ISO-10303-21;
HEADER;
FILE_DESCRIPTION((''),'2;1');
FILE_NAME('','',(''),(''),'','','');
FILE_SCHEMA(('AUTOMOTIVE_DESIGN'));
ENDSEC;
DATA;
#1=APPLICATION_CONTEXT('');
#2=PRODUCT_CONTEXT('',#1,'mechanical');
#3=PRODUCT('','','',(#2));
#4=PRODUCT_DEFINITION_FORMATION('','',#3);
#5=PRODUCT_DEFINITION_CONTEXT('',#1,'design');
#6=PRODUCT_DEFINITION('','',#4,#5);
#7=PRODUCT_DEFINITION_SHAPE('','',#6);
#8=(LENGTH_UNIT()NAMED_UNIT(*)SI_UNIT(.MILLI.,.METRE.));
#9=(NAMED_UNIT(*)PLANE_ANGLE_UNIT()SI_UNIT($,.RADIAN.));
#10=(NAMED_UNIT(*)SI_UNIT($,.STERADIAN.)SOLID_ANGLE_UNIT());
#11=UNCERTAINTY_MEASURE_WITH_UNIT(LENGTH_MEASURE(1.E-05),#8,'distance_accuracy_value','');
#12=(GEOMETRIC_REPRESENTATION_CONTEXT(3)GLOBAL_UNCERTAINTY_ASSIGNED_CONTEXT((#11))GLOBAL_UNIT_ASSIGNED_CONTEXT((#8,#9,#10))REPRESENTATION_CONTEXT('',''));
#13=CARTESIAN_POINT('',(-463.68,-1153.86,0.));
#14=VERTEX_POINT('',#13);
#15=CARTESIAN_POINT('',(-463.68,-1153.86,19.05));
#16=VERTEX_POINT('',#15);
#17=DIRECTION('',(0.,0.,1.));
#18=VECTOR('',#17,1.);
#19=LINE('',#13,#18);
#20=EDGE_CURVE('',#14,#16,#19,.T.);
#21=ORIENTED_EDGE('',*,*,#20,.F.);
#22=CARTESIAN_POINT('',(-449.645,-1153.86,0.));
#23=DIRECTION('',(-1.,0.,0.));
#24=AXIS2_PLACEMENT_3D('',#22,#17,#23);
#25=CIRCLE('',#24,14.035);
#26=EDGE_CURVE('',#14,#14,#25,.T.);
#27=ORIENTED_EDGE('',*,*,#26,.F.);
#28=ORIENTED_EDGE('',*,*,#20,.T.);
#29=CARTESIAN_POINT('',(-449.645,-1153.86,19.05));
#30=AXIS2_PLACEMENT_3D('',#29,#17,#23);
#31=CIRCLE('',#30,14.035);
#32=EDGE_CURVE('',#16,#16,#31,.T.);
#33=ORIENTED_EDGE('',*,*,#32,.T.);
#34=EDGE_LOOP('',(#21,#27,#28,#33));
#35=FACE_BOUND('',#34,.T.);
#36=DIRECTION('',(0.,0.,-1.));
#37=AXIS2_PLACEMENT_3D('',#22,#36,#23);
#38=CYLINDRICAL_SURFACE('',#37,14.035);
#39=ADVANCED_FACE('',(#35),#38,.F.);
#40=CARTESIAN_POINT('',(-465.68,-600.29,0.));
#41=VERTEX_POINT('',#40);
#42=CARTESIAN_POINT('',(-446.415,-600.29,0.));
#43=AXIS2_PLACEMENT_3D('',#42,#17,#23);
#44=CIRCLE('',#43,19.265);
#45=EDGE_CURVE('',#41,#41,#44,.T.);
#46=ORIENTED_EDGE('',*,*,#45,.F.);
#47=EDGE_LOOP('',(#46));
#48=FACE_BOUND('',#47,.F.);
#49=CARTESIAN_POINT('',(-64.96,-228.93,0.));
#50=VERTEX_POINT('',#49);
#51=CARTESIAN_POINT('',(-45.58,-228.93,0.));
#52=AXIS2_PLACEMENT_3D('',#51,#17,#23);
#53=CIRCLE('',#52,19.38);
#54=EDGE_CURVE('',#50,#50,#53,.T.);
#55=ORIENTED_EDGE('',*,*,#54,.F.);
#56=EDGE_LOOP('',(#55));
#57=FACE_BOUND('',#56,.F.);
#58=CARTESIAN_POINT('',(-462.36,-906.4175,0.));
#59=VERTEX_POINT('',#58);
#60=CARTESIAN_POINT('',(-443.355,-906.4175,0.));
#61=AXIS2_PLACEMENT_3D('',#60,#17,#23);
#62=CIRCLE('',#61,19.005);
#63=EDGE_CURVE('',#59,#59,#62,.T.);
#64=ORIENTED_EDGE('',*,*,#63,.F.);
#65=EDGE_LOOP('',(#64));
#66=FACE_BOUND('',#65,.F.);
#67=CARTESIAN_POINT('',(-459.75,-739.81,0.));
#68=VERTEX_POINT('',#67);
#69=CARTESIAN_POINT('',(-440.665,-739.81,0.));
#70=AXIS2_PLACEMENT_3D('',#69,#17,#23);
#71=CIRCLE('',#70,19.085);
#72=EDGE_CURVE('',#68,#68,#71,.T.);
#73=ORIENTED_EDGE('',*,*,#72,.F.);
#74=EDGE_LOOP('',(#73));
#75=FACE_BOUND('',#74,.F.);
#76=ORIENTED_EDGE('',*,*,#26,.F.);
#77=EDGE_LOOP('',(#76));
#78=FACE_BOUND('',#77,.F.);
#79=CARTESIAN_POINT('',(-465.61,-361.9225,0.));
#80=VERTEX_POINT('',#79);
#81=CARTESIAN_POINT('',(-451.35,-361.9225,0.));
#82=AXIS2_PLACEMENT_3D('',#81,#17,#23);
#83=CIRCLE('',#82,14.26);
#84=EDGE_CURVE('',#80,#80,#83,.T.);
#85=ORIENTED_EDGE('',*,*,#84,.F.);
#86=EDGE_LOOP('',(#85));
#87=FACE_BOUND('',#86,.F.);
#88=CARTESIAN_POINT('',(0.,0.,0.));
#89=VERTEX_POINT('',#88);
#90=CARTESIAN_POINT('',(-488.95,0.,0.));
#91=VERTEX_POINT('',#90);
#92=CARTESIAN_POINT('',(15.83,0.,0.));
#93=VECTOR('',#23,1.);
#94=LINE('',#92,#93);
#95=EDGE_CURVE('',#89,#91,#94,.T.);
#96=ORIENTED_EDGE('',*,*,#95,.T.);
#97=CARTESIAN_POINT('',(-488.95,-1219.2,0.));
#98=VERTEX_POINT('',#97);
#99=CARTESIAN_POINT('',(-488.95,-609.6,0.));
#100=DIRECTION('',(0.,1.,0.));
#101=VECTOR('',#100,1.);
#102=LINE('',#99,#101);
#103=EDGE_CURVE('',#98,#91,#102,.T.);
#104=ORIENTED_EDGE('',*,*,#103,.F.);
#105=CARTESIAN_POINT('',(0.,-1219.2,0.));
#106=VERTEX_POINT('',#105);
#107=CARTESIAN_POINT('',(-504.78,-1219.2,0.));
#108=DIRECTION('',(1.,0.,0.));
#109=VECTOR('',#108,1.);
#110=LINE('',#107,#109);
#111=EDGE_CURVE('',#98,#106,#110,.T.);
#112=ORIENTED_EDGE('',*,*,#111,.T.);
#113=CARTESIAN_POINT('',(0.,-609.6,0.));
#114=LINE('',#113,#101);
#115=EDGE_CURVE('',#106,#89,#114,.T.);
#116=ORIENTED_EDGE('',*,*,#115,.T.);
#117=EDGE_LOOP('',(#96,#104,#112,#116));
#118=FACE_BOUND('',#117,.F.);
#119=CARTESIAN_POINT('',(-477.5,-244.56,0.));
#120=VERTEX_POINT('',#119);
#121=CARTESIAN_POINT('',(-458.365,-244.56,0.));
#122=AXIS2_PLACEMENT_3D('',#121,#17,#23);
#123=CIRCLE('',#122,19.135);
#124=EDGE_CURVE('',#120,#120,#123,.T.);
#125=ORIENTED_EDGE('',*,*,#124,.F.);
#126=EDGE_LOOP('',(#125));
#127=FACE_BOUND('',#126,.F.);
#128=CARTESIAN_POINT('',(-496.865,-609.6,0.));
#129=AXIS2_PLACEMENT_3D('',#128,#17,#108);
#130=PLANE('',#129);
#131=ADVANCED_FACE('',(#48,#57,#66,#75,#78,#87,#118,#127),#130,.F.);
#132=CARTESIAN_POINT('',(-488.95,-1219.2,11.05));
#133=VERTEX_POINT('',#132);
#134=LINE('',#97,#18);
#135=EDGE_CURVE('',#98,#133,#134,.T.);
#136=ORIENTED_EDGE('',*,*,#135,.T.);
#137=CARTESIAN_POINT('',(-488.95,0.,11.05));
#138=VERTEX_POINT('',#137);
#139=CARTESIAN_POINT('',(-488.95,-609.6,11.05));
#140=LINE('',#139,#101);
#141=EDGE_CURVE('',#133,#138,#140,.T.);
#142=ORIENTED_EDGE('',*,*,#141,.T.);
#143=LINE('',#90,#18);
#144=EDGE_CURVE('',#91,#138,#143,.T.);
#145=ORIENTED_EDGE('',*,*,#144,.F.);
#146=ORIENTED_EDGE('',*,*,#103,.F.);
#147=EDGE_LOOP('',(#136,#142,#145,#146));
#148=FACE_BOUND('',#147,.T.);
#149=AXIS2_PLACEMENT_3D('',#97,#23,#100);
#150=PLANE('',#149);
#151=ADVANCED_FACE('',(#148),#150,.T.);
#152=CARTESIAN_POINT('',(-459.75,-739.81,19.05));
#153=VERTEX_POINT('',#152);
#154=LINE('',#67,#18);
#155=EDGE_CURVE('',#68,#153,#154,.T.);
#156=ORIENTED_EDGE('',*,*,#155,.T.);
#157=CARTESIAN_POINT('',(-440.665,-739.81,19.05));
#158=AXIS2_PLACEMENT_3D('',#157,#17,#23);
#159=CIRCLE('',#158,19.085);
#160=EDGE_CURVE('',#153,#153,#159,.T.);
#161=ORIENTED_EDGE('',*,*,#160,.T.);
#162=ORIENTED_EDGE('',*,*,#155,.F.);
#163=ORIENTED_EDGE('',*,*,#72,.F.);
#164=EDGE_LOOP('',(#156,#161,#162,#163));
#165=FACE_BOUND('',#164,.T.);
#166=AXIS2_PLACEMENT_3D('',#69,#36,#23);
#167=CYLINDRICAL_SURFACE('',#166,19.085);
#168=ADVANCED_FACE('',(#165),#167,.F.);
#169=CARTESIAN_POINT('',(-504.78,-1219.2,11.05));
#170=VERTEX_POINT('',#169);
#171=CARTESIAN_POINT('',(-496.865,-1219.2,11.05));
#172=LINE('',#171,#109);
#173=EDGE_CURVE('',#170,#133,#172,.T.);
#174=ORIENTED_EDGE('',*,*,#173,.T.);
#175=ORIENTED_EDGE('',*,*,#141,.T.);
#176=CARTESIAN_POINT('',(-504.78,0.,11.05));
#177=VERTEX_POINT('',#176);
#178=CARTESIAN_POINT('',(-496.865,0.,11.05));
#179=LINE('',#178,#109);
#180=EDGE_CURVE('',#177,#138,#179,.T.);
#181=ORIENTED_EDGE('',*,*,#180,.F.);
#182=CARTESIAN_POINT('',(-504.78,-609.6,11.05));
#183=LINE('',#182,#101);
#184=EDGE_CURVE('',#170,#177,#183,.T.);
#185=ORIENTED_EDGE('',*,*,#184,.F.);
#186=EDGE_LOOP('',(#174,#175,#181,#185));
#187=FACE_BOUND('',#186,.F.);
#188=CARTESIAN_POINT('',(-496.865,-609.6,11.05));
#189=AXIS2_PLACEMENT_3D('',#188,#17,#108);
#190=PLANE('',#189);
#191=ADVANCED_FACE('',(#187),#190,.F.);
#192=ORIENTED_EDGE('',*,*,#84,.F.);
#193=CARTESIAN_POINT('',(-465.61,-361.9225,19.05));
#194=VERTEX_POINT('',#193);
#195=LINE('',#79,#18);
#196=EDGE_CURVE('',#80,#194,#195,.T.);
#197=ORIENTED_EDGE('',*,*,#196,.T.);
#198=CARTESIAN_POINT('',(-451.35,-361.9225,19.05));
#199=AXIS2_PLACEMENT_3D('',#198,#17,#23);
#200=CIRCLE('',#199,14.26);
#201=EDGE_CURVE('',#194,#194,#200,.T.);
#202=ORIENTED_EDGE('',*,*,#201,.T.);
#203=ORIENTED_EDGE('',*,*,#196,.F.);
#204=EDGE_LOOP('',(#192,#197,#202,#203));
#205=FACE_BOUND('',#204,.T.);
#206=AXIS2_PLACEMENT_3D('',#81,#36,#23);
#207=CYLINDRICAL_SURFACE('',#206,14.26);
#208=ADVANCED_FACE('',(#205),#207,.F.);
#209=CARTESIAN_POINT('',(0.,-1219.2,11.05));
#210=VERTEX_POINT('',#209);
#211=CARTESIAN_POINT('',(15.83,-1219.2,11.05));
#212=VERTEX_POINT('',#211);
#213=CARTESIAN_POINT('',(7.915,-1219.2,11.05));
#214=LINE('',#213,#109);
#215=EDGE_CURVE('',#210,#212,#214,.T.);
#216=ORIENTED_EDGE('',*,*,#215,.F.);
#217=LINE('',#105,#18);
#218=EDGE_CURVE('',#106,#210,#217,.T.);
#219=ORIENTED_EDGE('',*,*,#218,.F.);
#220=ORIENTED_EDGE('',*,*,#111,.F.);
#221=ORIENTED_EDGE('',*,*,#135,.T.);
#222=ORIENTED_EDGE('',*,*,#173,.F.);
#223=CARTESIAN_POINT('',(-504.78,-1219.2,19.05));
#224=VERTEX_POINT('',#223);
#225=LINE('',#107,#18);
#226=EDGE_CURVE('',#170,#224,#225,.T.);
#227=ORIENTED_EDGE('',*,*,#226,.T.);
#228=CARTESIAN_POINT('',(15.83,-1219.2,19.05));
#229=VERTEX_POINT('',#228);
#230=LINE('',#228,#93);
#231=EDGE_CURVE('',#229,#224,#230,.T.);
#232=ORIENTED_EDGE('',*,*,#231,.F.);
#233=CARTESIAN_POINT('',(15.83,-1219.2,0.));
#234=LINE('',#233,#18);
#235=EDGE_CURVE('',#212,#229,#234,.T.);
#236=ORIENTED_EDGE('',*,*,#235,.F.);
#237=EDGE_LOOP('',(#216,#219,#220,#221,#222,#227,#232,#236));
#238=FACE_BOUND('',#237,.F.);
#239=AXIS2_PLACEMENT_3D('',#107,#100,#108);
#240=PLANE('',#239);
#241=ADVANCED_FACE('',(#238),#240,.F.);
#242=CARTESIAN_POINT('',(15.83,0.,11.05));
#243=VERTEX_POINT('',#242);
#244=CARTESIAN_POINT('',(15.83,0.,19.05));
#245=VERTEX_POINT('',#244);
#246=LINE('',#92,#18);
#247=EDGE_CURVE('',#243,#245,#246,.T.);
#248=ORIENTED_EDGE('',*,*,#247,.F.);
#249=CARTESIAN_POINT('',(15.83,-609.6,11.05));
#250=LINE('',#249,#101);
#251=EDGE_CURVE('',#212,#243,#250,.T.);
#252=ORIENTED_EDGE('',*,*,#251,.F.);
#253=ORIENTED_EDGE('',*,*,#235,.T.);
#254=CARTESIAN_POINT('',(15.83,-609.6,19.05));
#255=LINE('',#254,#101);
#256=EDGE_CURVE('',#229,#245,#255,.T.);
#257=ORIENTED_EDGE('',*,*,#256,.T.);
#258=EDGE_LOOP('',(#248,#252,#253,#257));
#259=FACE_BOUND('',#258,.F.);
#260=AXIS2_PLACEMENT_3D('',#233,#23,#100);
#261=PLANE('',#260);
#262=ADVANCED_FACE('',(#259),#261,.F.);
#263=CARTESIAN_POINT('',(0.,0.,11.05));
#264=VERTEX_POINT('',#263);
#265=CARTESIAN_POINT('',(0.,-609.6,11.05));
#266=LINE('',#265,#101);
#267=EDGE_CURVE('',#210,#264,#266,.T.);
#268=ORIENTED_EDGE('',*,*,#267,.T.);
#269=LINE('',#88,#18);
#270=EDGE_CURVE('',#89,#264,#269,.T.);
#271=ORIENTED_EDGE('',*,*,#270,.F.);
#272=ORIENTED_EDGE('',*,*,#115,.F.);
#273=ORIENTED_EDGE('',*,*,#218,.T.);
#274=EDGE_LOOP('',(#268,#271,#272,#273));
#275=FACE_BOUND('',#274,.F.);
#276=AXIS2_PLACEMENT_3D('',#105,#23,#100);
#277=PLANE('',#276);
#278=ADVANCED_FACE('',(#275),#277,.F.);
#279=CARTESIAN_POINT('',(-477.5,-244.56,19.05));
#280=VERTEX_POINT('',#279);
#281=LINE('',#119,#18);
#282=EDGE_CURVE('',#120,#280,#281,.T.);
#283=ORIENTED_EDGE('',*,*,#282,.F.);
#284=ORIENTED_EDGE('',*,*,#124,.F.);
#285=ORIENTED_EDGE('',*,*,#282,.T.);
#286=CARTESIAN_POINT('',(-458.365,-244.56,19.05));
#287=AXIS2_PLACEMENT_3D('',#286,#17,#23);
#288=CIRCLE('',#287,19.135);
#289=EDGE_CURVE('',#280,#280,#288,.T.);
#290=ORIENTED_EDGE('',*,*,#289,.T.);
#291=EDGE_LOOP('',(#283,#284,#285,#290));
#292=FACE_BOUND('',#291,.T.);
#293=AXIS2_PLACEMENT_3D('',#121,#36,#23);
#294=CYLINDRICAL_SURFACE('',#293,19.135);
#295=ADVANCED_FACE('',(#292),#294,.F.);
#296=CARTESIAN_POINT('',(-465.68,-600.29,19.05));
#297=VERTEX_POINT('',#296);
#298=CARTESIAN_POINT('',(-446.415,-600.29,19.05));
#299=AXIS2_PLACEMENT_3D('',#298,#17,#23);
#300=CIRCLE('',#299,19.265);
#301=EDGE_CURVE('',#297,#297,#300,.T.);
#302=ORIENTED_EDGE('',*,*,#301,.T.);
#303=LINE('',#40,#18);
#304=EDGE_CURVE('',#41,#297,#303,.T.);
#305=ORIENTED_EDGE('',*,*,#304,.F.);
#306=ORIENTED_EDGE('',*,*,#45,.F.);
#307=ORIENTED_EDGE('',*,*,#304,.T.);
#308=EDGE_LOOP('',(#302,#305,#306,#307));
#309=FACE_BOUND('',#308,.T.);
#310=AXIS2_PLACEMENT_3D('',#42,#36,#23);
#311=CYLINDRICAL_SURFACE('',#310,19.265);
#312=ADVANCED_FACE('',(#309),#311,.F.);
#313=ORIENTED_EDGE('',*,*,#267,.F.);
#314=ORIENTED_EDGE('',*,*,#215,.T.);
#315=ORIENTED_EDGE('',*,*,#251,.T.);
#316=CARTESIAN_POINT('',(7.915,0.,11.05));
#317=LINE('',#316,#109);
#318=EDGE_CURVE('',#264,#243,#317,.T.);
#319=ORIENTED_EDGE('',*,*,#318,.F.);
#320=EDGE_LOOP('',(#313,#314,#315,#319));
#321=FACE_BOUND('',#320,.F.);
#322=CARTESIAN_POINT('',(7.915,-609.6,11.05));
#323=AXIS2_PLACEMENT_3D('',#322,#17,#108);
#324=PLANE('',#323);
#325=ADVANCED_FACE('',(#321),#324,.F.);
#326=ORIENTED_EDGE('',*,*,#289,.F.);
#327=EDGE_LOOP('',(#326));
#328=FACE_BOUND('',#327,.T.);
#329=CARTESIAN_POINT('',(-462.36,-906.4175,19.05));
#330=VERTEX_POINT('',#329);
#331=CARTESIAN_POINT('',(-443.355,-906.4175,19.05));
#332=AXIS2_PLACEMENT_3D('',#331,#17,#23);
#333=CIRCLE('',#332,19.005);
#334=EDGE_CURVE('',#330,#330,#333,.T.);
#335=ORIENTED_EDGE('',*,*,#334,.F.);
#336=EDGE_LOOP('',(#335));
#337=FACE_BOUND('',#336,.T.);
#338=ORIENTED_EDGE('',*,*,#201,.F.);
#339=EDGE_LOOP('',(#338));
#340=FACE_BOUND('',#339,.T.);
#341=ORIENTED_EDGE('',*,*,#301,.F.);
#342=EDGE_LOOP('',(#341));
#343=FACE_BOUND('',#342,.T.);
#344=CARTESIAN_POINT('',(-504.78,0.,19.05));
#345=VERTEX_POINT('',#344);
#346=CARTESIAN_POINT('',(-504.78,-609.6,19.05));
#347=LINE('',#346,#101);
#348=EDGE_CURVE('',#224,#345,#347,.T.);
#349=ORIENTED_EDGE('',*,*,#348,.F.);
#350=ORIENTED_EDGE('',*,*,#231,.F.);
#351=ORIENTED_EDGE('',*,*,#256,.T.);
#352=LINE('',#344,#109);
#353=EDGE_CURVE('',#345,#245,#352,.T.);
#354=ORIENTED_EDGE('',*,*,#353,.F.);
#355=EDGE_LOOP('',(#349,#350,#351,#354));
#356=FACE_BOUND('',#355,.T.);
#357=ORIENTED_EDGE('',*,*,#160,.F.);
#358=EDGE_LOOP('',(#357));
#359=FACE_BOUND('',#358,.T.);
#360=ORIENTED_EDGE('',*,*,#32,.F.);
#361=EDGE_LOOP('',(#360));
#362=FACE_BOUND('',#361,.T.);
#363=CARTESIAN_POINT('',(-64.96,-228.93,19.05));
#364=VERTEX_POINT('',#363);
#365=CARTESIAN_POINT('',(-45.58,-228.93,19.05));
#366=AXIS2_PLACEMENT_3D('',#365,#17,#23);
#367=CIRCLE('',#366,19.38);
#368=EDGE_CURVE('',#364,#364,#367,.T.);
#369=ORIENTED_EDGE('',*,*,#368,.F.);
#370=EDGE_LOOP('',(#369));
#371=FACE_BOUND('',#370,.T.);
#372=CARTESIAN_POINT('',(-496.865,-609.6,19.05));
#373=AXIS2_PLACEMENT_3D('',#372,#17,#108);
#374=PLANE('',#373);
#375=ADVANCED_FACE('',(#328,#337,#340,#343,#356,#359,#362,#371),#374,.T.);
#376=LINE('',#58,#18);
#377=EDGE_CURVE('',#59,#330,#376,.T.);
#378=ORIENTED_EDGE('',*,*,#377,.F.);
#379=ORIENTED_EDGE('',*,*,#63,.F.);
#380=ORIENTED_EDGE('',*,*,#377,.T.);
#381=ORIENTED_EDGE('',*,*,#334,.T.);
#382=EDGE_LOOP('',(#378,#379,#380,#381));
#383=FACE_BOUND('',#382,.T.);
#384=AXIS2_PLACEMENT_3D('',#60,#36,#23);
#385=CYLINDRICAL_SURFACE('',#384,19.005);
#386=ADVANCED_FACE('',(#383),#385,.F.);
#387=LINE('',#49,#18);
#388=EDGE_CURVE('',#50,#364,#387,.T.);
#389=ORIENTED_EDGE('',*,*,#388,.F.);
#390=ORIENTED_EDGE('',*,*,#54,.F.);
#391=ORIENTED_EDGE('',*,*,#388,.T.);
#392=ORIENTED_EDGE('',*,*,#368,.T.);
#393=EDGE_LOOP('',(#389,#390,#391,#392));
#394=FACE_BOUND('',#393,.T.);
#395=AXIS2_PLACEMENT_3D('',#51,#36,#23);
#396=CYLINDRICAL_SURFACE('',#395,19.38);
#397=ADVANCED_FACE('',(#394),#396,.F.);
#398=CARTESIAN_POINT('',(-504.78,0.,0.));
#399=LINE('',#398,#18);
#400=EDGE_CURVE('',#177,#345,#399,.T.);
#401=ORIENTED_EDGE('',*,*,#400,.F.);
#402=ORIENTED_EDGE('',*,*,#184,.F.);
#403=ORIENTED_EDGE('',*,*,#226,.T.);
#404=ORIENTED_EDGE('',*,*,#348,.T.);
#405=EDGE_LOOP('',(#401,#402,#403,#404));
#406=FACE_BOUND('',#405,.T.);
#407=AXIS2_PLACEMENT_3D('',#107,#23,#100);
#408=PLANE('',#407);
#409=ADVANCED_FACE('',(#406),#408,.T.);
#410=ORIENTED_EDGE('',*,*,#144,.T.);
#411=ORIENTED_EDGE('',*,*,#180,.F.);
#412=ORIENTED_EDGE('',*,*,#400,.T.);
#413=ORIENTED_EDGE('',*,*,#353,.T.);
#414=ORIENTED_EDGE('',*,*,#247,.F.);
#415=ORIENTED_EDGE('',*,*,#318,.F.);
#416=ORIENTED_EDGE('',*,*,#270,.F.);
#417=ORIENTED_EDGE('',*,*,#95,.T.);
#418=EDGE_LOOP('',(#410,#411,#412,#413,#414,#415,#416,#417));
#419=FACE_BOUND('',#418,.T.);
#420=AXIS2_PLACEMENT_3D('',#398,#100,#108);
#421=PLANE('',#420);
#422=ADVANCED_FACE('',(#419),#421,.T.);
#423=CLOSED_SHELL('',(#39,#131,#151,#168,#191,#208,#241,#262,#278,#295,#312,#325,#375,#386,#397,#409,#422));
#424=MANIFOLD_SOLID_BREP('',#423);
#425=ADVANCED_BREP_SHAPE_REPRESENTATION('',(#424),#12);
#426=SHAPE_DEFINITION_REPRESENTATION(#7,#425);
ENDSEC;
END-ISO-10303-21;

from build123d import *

# Parameters (mm, degrees)
SKETCH1_W           = 520.61
SKETCH1_H           = 1219.2
SKETCH1_R           = 14.035
SKETCH1_R_2         = 19.005
SKETCH1_R_3         = 19.085
SKETCH1_R_4         = 19.265
SKETCH1_R_5         = 14.26
SKETCH1_R_6         = 19.135
SKETCH1_R_7         = 19.38
BOSS_EXTRUDE1_DEPTH = 19.05
SKETCH1_3_W         = 15.83
SKETCH1_3_H         = 1219.2
CUT_EXTRUDE1_DEPTH  = 11.05


with BuildPart() as part:
    # Sketch1 → Boss-Extrude1 (new body)
    with BuildSketch(Plane.XY):
        with Locations((-244.475, -609.6)):
            Rectangle(SKETCH1_W, SKETCH1_H)
        with Locations((-449.645, -1153.86)):
            Circle(SKETCH1_R, mode=Mode.SUBTRACT)
        with Locations((-443.355, -906.4175)):
            Circle(SKETCH1_R_2, mode=Mode.SUBTRACT)
        with Locations((-440.665, -739.81)):
            Circle(SKETCH1_R_3, mode=Mode.SUBTRACT)
        with Locations((-446.415, -600.29)):
            Circle(SKETCH1_R_4, mode=Mode.SUBTRACT)
        with Locations((-451.35, -361.9225)):
            Circle(SKETCH1_R_5, mode=Mode.SUBTRACT)
        with Locations((-458.365, -244.56)):
            Circle(SKETCH1_R_6, mode=Mode.SUBTRACT)
        with Locations((-45.58, -228.93)):
            Circle(SKETCH1_R_7, mode=Mode.SUBTRACT)
    extrude(amount=BOSS_EXTRUDE1_DEPTH)

    # Sketch1<3> → Cut-Extrude1 (cut)
    with BuildSketch(Plane.XY):
        with Locations((7.915, -609.6)):
            Rectangle(SKETCH1_3_W, SKETCH1_3_H)
        with Locations((-496.865, -609.6)):
            Rectangle(SKETCH1_3_W, SKETCH1_3_H)
    extrude(amount=CUT_EXTRUDE1_DEPTH, mode=Mode.SUBTRACT)


solid = part.part
